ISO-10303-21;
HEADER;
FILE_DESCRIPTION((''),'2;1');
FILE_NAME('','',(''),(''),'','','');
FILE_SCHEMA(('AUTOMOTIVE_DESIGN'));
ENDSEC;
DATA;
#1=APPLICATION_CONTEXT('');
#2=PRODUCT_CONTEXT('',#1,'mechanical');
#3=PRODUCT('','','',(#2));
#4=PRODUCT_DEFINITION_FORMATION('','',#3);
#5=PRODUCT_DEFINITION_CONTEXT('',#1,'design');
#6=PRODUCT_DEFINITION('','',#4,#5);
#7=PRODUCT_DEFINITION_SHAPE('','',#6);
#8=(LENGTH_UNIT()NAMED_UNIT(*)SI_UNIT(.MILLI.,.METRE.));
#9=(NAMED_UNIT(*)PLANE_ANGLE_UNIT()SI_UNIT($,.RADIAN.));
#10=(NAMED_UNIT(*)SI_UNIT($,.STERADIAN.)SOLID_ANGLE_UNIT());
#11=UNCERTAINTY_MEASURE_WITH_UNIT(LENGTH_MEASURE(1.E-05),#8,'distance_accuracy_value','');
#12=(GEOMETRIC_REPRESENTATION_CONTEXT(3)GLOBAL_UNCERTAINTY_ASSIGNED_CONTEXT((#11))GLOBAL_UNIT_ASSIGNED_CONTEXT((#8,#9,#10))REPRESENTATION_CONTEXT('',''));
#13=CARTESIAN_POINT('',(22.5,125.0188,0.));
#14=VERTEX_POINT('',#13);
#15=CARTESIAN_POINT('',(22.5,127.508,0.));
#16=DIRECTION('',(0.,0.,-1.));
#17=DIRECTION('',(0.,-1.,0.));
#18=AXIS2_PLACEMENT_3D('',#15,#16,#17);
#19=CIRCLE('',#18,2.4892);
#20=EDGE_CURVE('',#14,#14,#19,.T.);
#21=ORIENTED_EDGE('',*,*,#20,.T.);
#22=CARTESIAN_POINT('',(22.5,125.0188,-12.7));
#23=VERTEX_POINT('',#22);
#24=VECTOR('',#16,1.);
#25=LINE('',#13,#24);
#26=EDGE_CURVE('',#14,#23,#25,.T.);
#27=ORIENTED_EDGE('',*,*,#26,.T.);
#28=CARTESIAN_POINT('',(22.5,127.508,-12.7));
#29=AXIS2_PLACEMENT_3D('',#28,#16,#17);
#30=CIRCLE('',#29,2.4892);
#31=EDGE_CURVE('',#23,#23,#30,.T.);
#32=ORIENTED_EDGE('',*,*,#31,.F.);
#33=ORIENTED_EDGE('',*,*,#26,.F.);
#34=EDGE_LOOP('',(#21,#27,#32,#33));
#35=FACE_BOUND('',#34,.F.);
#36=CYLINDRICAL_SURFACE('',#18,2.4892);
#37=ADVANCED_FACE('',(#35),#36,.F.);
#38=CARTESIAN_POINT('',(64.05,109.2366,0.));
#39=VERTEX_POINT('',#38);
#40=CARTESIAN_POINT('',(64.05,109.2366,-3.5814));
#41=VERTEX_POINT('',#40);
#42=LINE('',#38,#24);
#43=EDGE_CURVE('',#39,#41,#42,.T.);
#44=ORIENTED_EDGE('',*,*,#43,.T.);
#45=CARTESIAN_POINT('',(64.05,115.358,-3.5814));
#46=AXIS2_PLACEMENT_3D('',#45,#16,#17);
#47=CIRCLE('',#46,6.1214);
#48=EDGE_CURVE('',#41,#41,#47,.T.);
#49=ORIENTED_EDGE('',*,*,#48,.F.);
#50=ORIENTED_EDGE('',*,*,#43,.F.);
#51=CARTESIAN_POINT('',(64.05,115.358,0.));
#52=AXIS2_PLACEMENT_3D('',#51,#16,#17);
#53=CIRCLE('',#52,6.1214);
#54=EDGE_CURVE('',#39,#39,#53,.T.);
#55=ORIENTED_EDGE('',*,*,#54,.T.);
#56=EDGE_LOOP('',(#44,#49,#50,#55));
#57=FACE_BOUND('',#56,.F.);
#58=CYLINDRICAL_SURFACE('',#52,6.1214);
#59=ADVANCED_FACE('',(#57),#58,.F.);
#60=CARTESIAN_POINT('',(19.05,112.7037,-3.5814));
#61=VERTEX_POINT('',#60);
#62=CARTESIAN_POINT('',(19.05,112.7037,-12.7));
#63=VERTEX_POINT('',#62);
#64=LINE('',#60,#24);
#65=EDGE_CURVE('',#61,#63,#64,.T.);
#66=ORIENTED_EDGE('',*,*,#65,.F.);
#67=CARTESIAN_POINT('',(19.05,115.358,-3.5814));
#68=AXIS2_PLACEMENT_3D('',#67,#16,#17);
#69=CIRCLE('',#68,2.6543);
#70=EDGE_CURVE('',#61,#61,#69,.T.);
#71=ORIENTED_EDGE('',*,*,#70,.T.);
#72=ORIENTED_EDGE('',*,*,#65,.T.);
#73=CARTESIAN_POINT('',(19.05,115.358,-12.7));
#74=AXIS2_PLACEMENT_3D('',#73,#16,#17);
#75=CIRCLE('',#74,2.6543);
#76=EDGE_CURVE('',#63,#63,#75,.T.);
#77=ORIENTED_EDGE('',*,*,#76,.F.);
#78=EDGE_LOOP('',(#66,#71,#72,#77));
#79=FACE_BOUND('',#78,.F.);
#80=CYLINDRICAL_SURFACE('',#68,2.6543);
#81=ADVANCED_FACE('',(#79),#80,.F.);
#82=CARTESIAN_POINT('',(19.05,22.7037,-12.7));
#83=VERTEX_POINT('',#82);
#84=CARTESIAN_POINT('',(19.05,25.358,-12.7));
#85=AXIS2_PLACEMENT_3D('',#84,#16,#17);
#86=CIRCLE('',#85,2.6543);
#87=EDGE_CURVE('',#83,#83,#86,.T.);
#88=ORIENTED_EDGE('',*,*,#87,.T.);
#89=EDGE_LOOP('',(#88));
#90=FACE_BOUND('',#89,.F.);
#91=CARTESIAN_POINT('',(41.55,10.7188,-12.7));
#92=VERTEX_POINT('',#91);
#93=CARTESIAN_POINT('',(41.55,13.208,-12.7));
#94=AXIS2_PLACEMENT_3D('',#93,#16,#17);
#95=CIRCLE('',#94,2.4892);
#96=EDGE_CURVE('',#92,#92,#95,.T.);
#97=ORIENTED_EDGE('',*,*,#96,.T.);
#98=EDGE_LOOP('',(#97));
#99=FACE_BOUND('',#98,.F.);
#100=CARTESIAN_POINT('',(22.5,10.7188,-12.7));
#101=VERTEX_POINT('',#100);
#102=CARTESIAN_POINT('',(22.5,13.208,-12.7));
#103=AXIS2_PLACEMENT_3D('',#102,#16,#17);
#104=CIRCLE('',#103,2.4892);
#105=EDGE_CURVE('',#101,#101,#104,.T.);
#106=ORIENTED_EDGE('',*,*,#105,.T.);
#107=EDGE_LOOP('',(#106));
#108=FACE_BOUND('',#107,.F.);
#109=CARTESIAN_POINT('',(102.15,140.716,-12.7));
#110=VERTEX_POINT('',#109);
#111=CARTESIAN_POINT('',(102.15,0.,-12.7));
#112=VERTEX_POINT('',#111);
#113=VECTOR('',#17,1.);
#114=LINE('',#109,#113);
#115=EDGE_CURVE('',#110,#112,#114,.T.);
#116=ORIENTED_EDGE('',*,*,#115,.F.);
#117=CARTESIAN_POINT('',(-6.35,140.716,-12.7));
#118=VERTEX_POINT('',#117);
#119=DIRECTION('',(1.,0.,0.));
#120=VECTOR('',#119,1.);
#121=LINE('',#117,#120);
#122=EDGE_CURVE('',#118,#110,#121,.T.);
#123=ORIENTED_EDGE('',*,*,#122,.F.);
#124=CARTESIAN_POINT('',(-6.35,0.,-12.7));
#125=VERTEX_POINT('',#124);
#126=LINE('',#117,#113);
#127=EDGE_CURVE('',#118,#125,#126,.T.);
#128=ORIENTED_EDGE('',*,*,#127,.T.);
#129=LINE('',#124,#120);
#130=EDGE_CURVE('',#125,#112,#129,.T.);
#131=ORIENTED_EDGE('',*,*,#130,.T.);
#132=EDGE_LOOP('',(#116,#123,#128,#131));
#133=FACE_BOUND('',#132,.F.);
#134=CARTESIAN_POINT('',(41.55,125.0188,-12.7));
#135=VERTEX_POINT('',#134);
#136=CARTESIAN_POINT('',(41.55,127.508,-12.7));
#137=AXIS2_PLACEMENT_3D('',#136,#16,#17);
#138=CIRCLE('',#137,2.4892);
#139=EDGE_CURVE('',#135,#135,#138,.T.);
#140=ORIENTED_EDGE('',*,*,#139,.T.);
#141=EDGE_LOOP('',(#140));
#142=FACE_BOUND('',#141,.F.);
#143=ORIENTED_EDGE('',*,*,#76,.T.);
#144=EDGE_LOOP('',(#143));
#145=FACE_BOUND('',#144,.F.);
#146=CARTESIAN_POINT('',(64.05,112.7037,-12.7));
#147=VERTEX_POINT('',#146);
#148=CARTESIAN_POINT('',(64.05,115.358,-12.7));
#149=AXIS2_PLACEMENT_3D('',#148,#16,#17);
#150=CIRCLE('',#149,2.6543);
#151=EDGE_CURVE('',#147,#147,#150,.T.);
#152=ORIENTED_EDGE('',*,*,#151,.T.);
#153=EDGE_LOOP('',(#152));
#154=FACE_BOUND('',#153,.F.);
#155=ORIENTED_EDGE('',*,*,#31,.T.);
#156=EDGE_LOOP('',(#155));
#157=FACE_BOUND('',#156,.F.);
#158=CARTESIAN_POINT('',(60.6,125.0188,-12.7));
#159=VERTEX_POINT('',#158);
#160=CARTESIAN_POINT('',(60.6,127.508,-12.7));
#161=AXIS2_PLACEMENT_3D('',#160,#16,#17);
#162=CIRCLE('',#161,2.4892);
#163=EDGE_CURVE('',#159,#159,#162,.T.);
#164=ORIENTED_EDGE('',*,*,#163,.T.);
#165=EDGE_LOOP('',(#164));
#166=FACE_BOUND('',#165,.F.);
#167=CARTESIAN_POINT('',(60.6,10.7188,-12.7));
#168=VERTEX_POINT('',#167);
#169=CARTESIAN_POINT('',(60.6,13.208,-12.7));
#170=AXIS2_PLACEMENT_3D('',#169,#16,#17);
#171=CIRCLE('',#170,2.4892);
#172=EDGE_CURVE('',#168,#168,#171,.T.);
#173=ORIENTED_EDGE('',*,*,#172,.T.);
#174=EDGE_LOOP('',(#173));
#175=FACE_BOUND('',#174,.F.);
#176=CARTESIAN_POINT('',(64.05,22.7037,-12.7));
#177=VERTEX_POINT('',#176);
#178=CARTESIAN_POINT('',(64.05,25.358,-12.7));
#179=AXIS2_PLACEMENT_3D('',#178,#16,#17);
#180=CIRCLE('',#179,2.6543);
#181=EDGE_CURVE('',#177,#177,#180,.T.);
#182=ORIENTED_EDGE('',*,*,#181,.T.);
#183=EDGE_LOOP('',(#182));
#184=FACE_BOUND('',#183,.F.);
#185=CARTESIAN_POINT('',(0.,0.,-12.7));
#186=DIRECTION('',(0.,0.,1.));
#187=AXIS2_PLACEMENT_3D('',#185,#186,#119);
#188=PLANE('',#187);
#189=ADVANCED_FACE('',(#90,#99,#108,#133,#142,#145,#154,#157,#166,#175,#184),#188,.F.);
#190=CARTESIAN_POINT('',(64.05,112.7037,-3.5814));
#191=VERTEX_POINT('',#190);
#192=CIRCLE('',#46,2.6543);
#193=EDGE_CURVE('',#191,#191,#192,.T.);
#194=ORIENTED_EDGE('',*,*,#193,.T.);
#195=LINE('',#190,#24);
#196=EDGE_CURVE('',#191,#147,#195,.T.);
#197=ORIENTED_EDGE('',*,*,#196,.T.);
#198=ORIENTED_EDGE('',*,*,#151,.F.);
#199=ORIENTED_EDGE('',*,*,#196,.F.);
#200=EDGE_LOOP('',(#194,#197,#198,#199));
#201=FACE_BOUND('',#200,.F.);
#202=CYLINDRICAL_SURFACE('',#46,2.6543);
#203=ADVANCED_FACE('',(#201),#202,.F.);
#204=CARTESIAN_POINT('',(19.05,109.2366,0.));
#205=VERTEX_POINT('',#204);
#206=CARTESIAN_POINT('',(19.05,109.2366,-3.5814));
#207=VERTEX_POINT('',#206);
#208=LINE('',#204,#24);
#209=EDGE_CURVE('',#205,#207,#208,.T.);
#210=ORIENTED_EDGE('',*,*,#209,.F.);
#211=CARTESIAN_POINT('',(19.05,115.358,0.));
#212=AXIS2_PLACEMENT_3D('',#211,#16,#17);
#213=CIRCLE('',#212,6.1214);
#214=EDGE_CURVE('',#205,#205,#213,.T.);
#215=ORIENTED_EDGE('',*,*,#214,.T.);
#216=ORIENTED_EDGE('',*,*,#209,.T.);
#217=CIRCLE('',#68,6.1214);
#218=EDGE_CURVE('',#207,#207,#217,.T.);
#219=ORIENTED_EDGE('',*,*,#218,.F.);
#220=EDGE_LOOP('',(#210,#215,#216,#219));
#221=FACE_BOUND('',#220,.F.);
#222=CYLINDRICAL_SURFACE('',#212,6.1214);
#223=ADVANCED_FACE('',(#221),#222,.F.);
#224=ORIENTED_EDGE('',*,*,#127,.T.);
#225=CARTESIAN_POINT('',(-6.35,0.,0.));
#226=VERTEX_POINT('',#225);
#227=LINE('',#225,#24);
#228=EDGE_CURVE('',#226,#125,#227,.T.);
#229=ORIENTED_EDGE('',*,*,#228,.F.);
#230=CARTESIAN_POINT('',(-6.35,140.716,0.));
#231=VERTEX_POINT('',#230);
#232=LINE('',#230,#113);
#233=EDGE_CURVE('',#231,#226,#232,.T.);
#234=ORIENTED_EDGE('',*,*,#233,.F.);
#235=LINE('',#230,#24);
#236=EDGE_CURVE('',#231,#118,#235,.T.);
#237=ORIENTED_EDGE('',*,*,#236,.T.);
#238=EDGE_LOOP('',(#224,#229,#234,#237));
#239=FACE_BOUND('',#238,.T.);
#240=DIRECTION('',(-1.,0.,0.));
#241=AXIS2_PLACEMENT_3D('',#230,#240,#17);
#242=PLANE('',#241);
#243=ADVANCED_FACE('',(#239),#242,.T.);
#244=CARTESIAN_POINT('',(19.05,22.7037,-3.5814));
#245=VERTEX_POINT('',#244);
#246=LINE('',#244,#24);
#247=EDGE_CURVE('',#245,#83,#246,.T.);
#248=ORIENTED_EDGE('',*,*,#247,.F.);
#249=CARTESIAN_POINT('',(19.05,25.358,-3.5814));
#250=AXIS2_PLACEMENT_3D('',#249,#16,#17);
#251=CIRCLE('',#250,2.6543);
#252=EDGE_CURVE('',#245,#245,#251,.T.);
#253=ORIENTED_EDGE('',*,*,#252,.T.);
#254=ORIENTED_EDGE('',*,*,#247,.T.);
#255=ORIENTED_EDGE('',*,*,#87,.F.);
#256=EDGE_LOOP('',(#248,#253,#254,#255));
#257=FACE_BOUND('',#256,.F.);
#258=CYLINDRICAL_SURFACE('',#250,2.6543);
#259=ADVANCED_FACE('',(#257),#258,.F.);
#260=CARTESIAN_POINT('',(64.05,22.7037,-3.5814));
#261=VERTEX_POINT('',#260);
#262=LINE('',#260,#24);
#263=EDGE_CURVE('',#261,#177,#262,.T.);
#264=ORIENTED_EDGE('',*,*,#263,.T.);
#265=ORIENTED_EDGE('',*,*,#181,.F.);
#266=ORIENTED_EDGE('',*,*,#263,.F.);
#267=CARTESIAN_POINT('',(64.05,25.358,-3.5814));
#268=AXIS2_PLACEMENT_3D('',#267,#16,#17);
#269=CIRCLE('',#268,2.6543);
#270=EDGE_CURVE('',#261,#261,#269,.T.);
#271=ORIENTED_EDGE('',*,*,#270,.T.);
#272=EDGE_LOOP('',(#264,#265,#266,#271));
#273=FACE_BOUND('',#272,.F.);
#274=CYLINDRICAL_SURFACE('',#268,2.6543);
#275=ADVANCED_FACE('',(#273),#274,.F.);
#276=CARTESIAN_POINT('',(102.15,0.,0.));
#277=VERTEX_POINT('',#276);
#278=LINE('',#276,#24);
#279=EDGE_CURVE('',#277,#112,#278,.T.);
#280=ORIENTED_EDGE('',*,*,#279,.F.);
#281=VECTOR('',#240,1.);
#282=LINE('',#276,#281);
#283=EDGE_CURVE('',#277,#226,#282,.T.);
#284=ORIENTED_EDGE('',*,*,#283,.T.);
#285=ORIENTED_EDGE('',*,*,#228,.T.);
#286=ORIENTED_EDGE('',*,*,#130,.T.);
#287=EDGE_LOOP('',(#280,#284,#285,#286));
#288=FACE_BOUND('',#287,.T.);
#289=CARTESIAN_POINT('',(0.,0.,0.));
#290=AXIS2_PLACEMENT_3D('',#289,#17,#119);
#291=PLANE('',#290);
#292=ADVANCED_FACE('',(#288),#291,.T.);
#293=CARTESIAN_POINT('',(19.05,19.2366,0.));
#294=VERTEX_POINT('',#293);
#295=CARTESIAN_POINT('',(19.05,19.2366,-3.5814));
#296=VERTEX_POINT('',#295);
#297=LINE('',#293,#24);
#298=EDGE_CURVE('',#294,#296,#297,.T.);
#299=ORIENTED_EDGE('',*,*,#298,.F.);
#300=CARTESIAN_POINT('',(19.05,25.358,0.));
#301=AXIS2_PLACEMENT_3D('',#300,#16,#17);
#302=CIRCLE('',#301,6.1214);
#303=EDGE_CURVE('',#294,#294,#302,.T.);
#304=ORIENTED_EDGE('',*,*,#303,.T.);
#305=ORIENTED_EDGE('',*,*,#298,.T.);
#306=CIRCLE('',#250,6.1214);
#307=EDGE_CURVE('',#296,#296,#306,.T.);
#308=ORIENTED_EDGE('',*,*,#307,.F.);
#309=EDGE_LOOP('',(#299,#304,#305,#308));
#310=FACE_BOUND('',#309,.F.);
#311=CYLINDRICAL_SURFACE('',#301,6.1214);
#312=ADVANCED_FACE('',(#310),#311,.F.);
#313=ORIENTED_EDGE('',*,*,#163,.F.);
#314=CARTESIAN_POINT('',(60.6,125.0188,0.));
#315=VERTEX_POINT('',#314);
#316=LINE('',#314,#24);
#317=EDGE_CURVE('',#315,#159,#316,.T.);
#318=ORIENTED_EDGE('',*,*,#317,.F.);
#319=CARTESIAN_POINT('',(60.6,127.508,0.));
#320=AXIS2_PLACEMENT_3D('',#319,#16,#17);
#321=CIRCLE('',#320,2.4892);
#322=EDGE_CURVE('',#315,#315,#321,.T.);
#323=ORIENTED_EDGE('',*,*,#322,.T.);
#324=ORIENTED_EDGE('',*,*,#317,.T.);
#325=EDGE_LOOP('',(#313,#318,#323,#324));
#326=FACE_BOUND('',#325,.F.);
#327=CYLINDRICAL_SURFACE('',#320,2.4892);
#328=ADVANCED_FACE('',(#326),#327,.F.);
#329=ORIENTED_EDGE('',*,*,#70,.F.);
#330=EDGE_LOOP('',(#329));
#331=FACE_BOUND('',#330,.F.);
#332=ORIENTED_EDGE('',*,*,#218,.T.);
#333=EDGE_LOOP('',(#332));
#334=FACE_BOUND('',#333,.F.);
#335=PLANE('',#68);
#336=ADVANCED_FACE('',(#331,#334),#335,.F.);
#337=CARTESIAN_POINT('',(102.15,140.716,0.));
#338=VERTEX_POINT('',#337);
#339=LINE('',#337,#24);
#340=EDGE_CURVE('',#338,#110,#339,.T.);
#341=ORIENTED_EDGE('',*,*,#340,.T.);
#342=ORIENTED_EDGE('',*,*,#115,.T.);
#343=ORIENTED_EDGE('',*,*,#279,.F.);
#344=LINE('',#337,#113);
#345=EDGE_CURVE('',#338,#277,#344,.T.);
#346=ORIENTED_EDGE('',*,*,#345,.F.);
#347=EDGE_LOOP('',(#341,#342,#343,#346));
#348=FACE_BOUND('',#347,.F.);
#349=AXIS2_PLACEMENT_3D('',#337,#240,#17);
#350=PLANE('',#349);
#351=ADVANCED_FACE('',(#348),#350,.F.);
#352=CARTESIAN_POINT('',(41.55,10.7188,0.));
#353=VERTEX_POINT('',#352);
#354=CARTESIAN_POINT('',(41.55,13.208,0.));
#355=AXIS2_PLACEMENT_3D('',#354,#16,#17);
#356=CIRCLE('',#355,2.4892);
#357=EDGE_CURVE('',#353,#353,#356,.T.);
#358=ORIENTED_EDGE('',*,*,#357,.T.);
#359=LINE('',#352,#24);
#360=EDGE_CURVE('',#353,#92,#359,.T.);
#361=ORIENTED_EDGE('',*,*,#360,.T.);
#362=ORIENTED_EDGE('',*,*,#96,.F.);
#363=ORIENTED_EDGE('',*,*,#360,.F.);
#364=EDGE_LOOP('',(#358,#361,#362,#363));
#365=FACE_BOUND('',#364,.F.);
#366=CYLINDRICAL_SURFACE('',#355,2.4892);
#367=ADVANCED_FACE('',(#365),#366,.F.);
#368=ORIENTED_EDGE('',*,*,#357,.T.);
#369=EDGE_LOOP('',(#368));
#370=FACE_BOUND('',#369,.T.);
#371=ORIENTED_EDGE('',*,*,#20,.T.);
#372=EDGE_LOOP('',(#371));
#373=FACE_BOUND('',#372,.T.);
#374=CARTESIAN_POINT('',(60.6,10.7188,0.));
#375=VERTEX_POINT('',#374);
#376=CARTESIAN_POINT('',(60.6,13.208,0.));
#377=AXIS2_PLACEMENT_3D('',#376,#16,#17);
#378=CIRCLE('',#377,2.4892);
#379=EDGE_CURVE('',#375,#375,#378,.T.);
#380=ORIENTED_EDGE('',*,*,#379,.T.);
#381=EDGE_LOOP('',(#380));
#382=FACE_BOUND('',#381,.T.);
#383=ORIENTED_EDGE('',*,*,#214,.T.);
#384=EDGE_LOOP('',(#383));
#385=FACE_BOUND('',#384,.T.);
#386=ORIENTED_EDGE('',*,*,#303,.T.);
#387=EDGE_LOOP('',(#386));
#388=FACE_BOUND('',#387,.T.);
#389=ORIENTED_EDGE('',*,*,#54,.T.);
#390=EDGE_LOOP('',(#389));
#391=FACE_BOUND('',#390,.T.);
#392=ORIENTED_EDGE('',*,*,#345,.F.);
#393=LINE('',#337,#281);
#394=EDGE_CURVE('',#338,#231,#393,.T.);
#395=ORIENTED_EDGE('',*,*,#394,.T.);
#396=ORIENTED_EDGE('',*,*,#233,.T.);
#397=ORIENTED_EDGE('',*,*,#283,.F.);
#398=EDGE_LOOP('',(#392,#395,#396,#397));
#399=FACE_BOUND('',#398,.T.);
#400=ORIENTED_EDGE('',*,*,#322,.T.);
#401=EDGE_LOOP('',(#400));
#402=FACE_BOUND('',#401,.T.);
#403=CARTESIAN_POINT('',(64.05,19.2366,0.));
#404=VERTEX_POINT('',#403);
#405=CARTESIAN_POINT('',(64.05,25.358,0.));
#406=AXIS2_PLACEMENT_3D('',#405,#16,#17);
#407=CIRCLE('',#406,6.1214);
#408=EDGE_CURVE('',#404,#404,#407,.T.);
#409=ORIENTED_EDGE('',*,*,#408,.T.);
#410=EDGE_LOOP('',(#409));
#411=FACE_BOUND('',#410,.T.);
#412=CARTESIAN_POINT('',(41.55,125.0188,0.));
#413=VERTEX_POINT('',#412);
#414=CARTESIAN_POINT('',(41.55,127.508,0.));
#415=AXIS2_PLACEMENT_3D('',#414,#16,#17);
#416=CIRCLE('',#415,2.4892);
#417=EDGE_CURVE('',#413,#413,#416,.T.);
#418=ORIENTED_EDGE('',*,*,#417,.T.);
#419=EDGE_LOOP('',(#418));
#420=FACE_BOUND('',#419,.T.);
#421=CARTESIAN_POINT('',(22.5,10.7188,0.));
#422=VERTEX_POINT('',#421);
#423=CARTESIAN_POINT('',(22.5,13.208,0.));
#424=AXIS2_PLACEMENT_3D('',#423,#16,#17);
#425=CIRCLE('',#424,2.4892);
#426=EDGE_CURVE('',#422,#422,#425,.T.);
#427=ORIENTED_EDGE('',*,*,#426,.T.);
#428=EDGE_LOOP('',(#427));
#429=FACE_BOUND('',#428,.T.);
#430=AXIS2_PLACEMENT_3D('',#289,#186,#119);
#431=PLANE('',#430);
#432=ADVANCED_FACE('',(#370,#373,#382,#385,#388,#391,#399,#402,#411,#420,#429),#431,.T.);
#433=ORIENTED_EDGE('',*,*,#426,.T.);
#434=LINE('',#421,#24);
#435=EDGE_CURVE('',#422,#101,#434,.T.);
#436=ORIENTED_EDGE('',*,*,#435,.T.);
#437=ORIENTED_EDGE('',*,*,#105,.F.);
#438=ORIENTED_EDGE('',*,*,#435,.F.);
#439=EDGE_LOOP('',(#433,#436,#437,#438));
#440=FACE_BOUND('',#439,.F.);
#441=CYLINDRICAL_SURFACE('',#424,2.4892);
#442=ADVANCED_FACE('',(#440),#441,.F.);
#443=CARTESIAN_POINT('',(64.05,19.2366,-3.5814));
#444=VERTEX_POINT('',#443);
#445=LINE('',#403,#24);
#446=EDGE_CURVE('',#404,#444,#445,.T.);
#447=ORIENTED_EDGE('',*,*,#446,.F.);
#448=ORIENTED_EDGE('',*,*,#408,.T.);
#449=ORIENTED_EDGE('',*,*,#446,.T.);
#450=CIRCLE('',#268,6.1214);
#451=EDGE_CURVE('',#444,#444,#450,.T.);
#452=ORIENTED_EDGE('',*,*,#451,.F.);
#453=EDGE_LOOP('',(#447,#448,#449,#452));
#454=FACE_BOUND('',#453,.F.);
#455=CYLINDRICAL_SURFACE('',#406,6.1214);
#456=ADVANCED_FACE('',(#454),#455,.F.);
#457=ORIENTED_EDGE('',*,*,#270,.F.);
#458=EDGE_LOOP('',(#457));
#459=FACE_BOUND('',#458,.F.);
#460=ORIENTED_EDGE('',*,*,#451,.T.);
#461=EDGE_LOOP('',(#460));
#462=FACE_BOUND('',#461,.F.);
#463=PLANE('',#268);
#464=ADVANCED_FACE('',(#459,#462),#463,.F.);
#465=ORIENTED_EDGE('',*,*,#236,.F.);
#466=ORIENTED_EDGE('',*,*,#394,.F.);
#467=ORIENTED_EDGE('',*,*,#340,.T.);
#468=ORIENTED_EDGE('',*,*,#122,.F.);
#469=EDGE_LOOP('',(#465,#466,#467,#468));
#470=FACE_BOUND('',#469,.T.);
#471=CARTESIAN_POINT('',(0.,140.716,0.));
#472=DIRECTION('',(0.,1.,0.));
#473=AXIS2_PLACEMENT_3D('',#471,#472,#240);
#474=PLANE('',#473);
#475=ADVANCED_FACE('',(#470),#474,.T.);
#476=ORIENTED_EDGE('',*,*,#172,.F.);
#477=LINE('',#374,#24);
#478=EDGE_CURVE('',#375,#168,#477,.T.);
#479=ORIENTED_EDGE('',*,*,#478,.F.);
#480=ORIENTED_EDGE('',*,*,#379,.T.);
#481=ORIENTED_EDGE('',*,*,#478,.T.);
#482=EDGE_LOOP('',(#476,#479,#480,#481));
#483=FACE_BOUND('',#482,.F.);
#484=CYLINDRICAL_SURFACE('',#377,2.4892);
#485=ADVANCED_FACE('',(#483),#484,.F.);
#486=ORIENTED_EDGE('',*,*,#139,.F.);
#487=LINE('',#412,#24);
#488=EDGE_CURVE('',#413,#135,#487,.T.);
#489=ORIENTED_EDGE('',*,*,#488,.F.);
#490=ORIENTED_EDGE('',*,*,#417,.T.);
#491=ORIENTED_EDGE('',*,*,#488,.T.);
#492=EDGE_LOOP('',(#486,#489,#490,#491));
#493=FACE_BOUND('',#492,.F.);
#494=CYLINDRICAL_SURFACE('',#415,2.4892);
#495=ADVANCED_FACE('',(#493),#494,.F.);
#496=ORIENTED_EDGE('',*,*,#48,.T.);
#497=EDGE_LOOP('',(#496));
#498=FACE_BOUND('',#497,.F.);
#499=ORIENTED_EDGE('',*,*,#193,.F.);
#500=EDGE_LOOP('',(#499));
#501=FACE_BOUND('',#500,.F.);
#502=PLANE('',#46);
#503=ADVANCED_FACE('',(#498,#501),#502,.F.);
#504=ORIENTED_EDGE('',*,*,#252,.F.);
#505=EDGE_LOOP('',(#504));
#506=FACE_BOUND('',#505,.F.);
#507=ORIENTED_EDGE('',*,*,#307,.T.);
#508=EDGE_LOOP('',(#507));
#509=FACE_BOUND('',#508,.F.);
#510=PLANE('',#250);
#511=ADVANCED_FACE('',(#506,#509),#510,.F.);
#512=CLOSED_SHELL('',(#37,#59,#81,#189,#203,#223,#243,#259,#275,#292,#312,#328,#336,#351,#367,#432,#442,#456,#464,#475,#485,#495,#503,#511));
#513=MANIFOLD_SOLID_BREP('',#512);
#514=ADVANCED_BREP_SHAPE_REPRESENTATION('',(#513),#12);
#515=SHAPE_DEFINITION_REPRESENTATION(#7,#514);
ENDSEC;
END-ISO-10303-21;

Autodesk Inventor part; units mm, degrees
ref_plane "YZ Plane" through (0, 0, 0) normal (1, 0, 0) x (0, 1, 0)
ref_plane "XZ Plane" through (0, 0, 0) normal (0, 1, 0) x (-1, 0, 0)
ref_plane "XY Plane" through (0, 0, 0) normal (0, 0, 1) x (1, 0, 0)
sketch "Sketch1" plane through (0, 0, 0) normal (0, 0, 1) x (1, 0, 0)
  line L0 (0, 0) -> (83.1, 0)
  line L1 (83.1, 0) -> (83.1, 140.716)
  line L2 (83.1, 140.716) -> (0, 140.716)
  line L3 (0, 140.716) -> (0, 0)
  line L4 (83.1, 70.358) -> (0, 70.358)
  circle A0 centre (19.05, 115.358) radius 2.5
  circle A1 centre (19.05, 25.358) radius 2.5
  circle A2 centre (64.05, 115.358) radius 2.5
  circle A3 centre (64.05, 25.358) radius 2.5
  line L5 (41.55, 140.716) -> (41.55, 0)
  circle A4 centre (41.55, 127.508) radius 3.175
  circle A5 centre (41.55, 13.208) radius 3.175
  circle A6 centre (22.5, 127.508) radius 3.175
  circle A7 centre (22.5, 13.208) radius 3.175
  circle A8 centre (60.6, 127.508) radius 3.175
  circle A9 centre (60.6, 13.208) radius 3.175
  line L6 (83.1, 140.716) -> (102.15, 140.716)
  line L7 (102.15, 140.716) -> (102.15, 0)
  line L8 (102.15, 0) -> (83.1, 0)
  line L9 (83.1, 0) -> (83.1, 140.716)
  line L10 (0, 140.716) -> (-6.35, 140.716)
  line L11 (-6.35, 140.716) -> (-6.35, 0)
  line L12 (-6.35, 0) -> (0, 0)
  line L13 (0, 0) -> (0, 140.716)
  dimension "d0" = 140.716
  dimension "d1" = 5
  dimension "d2" = 90
  dimension "d3" = 19.05
  dimension "d6" = 45
  dimension "d11" = 19.05
  dimension "d12" = 6.35
  dimension "d13" = 114.3
  dimension "d32" = 19.05
  dimension "d37" = 19.05
  dimension "d38" = 6.35
extrude "Extrusion1" add sketch "Sketch1" against normal blind 12.7 contours L3 L4 L5 A5 L0 | L12 L11 L10 L3 | L5 A5 L4 L1 L0 | L3 L2 L5 A4 L4 | L1 L6 L7 L8 | A5 L5 | L5 A5 | L5 A4 L2 L1 L4 | A4 L5 | L5 A4 | A0 | A1 | A2 | A3 | A6 | A7 | A8 | A9
hole "Hole1" at (19.05, 115.358, 0) at (64.05, 115.358, 0) at (64.05, 25.358, 0) at (19.05, 25.358, 0) direction (0, 0, -1) diameter 5.3086 end through all counterbore diameter 12.2428 counterbore depth 3.5814 clearance for "Hex Head Bolt" size "M5" standard "Ansi Metric M Profile"
hole "Hole2" at (22.5, 127.508, 0) at (60.6, 127.508, 0) at (22.5, 13.208, 0) at (60.6, 13.208, 0) at (41.55, 127.508, 0) at (41.55, 13.208, 0) direction (0, 0, -1) diameter 4.9784 end through all thread size "1/4-20 UNC" class "2B" standard "ANSI Unified Screw Threads"
equation "\"d11\" = d3"
properties part number "Adjustable Side Adapter Plate"
